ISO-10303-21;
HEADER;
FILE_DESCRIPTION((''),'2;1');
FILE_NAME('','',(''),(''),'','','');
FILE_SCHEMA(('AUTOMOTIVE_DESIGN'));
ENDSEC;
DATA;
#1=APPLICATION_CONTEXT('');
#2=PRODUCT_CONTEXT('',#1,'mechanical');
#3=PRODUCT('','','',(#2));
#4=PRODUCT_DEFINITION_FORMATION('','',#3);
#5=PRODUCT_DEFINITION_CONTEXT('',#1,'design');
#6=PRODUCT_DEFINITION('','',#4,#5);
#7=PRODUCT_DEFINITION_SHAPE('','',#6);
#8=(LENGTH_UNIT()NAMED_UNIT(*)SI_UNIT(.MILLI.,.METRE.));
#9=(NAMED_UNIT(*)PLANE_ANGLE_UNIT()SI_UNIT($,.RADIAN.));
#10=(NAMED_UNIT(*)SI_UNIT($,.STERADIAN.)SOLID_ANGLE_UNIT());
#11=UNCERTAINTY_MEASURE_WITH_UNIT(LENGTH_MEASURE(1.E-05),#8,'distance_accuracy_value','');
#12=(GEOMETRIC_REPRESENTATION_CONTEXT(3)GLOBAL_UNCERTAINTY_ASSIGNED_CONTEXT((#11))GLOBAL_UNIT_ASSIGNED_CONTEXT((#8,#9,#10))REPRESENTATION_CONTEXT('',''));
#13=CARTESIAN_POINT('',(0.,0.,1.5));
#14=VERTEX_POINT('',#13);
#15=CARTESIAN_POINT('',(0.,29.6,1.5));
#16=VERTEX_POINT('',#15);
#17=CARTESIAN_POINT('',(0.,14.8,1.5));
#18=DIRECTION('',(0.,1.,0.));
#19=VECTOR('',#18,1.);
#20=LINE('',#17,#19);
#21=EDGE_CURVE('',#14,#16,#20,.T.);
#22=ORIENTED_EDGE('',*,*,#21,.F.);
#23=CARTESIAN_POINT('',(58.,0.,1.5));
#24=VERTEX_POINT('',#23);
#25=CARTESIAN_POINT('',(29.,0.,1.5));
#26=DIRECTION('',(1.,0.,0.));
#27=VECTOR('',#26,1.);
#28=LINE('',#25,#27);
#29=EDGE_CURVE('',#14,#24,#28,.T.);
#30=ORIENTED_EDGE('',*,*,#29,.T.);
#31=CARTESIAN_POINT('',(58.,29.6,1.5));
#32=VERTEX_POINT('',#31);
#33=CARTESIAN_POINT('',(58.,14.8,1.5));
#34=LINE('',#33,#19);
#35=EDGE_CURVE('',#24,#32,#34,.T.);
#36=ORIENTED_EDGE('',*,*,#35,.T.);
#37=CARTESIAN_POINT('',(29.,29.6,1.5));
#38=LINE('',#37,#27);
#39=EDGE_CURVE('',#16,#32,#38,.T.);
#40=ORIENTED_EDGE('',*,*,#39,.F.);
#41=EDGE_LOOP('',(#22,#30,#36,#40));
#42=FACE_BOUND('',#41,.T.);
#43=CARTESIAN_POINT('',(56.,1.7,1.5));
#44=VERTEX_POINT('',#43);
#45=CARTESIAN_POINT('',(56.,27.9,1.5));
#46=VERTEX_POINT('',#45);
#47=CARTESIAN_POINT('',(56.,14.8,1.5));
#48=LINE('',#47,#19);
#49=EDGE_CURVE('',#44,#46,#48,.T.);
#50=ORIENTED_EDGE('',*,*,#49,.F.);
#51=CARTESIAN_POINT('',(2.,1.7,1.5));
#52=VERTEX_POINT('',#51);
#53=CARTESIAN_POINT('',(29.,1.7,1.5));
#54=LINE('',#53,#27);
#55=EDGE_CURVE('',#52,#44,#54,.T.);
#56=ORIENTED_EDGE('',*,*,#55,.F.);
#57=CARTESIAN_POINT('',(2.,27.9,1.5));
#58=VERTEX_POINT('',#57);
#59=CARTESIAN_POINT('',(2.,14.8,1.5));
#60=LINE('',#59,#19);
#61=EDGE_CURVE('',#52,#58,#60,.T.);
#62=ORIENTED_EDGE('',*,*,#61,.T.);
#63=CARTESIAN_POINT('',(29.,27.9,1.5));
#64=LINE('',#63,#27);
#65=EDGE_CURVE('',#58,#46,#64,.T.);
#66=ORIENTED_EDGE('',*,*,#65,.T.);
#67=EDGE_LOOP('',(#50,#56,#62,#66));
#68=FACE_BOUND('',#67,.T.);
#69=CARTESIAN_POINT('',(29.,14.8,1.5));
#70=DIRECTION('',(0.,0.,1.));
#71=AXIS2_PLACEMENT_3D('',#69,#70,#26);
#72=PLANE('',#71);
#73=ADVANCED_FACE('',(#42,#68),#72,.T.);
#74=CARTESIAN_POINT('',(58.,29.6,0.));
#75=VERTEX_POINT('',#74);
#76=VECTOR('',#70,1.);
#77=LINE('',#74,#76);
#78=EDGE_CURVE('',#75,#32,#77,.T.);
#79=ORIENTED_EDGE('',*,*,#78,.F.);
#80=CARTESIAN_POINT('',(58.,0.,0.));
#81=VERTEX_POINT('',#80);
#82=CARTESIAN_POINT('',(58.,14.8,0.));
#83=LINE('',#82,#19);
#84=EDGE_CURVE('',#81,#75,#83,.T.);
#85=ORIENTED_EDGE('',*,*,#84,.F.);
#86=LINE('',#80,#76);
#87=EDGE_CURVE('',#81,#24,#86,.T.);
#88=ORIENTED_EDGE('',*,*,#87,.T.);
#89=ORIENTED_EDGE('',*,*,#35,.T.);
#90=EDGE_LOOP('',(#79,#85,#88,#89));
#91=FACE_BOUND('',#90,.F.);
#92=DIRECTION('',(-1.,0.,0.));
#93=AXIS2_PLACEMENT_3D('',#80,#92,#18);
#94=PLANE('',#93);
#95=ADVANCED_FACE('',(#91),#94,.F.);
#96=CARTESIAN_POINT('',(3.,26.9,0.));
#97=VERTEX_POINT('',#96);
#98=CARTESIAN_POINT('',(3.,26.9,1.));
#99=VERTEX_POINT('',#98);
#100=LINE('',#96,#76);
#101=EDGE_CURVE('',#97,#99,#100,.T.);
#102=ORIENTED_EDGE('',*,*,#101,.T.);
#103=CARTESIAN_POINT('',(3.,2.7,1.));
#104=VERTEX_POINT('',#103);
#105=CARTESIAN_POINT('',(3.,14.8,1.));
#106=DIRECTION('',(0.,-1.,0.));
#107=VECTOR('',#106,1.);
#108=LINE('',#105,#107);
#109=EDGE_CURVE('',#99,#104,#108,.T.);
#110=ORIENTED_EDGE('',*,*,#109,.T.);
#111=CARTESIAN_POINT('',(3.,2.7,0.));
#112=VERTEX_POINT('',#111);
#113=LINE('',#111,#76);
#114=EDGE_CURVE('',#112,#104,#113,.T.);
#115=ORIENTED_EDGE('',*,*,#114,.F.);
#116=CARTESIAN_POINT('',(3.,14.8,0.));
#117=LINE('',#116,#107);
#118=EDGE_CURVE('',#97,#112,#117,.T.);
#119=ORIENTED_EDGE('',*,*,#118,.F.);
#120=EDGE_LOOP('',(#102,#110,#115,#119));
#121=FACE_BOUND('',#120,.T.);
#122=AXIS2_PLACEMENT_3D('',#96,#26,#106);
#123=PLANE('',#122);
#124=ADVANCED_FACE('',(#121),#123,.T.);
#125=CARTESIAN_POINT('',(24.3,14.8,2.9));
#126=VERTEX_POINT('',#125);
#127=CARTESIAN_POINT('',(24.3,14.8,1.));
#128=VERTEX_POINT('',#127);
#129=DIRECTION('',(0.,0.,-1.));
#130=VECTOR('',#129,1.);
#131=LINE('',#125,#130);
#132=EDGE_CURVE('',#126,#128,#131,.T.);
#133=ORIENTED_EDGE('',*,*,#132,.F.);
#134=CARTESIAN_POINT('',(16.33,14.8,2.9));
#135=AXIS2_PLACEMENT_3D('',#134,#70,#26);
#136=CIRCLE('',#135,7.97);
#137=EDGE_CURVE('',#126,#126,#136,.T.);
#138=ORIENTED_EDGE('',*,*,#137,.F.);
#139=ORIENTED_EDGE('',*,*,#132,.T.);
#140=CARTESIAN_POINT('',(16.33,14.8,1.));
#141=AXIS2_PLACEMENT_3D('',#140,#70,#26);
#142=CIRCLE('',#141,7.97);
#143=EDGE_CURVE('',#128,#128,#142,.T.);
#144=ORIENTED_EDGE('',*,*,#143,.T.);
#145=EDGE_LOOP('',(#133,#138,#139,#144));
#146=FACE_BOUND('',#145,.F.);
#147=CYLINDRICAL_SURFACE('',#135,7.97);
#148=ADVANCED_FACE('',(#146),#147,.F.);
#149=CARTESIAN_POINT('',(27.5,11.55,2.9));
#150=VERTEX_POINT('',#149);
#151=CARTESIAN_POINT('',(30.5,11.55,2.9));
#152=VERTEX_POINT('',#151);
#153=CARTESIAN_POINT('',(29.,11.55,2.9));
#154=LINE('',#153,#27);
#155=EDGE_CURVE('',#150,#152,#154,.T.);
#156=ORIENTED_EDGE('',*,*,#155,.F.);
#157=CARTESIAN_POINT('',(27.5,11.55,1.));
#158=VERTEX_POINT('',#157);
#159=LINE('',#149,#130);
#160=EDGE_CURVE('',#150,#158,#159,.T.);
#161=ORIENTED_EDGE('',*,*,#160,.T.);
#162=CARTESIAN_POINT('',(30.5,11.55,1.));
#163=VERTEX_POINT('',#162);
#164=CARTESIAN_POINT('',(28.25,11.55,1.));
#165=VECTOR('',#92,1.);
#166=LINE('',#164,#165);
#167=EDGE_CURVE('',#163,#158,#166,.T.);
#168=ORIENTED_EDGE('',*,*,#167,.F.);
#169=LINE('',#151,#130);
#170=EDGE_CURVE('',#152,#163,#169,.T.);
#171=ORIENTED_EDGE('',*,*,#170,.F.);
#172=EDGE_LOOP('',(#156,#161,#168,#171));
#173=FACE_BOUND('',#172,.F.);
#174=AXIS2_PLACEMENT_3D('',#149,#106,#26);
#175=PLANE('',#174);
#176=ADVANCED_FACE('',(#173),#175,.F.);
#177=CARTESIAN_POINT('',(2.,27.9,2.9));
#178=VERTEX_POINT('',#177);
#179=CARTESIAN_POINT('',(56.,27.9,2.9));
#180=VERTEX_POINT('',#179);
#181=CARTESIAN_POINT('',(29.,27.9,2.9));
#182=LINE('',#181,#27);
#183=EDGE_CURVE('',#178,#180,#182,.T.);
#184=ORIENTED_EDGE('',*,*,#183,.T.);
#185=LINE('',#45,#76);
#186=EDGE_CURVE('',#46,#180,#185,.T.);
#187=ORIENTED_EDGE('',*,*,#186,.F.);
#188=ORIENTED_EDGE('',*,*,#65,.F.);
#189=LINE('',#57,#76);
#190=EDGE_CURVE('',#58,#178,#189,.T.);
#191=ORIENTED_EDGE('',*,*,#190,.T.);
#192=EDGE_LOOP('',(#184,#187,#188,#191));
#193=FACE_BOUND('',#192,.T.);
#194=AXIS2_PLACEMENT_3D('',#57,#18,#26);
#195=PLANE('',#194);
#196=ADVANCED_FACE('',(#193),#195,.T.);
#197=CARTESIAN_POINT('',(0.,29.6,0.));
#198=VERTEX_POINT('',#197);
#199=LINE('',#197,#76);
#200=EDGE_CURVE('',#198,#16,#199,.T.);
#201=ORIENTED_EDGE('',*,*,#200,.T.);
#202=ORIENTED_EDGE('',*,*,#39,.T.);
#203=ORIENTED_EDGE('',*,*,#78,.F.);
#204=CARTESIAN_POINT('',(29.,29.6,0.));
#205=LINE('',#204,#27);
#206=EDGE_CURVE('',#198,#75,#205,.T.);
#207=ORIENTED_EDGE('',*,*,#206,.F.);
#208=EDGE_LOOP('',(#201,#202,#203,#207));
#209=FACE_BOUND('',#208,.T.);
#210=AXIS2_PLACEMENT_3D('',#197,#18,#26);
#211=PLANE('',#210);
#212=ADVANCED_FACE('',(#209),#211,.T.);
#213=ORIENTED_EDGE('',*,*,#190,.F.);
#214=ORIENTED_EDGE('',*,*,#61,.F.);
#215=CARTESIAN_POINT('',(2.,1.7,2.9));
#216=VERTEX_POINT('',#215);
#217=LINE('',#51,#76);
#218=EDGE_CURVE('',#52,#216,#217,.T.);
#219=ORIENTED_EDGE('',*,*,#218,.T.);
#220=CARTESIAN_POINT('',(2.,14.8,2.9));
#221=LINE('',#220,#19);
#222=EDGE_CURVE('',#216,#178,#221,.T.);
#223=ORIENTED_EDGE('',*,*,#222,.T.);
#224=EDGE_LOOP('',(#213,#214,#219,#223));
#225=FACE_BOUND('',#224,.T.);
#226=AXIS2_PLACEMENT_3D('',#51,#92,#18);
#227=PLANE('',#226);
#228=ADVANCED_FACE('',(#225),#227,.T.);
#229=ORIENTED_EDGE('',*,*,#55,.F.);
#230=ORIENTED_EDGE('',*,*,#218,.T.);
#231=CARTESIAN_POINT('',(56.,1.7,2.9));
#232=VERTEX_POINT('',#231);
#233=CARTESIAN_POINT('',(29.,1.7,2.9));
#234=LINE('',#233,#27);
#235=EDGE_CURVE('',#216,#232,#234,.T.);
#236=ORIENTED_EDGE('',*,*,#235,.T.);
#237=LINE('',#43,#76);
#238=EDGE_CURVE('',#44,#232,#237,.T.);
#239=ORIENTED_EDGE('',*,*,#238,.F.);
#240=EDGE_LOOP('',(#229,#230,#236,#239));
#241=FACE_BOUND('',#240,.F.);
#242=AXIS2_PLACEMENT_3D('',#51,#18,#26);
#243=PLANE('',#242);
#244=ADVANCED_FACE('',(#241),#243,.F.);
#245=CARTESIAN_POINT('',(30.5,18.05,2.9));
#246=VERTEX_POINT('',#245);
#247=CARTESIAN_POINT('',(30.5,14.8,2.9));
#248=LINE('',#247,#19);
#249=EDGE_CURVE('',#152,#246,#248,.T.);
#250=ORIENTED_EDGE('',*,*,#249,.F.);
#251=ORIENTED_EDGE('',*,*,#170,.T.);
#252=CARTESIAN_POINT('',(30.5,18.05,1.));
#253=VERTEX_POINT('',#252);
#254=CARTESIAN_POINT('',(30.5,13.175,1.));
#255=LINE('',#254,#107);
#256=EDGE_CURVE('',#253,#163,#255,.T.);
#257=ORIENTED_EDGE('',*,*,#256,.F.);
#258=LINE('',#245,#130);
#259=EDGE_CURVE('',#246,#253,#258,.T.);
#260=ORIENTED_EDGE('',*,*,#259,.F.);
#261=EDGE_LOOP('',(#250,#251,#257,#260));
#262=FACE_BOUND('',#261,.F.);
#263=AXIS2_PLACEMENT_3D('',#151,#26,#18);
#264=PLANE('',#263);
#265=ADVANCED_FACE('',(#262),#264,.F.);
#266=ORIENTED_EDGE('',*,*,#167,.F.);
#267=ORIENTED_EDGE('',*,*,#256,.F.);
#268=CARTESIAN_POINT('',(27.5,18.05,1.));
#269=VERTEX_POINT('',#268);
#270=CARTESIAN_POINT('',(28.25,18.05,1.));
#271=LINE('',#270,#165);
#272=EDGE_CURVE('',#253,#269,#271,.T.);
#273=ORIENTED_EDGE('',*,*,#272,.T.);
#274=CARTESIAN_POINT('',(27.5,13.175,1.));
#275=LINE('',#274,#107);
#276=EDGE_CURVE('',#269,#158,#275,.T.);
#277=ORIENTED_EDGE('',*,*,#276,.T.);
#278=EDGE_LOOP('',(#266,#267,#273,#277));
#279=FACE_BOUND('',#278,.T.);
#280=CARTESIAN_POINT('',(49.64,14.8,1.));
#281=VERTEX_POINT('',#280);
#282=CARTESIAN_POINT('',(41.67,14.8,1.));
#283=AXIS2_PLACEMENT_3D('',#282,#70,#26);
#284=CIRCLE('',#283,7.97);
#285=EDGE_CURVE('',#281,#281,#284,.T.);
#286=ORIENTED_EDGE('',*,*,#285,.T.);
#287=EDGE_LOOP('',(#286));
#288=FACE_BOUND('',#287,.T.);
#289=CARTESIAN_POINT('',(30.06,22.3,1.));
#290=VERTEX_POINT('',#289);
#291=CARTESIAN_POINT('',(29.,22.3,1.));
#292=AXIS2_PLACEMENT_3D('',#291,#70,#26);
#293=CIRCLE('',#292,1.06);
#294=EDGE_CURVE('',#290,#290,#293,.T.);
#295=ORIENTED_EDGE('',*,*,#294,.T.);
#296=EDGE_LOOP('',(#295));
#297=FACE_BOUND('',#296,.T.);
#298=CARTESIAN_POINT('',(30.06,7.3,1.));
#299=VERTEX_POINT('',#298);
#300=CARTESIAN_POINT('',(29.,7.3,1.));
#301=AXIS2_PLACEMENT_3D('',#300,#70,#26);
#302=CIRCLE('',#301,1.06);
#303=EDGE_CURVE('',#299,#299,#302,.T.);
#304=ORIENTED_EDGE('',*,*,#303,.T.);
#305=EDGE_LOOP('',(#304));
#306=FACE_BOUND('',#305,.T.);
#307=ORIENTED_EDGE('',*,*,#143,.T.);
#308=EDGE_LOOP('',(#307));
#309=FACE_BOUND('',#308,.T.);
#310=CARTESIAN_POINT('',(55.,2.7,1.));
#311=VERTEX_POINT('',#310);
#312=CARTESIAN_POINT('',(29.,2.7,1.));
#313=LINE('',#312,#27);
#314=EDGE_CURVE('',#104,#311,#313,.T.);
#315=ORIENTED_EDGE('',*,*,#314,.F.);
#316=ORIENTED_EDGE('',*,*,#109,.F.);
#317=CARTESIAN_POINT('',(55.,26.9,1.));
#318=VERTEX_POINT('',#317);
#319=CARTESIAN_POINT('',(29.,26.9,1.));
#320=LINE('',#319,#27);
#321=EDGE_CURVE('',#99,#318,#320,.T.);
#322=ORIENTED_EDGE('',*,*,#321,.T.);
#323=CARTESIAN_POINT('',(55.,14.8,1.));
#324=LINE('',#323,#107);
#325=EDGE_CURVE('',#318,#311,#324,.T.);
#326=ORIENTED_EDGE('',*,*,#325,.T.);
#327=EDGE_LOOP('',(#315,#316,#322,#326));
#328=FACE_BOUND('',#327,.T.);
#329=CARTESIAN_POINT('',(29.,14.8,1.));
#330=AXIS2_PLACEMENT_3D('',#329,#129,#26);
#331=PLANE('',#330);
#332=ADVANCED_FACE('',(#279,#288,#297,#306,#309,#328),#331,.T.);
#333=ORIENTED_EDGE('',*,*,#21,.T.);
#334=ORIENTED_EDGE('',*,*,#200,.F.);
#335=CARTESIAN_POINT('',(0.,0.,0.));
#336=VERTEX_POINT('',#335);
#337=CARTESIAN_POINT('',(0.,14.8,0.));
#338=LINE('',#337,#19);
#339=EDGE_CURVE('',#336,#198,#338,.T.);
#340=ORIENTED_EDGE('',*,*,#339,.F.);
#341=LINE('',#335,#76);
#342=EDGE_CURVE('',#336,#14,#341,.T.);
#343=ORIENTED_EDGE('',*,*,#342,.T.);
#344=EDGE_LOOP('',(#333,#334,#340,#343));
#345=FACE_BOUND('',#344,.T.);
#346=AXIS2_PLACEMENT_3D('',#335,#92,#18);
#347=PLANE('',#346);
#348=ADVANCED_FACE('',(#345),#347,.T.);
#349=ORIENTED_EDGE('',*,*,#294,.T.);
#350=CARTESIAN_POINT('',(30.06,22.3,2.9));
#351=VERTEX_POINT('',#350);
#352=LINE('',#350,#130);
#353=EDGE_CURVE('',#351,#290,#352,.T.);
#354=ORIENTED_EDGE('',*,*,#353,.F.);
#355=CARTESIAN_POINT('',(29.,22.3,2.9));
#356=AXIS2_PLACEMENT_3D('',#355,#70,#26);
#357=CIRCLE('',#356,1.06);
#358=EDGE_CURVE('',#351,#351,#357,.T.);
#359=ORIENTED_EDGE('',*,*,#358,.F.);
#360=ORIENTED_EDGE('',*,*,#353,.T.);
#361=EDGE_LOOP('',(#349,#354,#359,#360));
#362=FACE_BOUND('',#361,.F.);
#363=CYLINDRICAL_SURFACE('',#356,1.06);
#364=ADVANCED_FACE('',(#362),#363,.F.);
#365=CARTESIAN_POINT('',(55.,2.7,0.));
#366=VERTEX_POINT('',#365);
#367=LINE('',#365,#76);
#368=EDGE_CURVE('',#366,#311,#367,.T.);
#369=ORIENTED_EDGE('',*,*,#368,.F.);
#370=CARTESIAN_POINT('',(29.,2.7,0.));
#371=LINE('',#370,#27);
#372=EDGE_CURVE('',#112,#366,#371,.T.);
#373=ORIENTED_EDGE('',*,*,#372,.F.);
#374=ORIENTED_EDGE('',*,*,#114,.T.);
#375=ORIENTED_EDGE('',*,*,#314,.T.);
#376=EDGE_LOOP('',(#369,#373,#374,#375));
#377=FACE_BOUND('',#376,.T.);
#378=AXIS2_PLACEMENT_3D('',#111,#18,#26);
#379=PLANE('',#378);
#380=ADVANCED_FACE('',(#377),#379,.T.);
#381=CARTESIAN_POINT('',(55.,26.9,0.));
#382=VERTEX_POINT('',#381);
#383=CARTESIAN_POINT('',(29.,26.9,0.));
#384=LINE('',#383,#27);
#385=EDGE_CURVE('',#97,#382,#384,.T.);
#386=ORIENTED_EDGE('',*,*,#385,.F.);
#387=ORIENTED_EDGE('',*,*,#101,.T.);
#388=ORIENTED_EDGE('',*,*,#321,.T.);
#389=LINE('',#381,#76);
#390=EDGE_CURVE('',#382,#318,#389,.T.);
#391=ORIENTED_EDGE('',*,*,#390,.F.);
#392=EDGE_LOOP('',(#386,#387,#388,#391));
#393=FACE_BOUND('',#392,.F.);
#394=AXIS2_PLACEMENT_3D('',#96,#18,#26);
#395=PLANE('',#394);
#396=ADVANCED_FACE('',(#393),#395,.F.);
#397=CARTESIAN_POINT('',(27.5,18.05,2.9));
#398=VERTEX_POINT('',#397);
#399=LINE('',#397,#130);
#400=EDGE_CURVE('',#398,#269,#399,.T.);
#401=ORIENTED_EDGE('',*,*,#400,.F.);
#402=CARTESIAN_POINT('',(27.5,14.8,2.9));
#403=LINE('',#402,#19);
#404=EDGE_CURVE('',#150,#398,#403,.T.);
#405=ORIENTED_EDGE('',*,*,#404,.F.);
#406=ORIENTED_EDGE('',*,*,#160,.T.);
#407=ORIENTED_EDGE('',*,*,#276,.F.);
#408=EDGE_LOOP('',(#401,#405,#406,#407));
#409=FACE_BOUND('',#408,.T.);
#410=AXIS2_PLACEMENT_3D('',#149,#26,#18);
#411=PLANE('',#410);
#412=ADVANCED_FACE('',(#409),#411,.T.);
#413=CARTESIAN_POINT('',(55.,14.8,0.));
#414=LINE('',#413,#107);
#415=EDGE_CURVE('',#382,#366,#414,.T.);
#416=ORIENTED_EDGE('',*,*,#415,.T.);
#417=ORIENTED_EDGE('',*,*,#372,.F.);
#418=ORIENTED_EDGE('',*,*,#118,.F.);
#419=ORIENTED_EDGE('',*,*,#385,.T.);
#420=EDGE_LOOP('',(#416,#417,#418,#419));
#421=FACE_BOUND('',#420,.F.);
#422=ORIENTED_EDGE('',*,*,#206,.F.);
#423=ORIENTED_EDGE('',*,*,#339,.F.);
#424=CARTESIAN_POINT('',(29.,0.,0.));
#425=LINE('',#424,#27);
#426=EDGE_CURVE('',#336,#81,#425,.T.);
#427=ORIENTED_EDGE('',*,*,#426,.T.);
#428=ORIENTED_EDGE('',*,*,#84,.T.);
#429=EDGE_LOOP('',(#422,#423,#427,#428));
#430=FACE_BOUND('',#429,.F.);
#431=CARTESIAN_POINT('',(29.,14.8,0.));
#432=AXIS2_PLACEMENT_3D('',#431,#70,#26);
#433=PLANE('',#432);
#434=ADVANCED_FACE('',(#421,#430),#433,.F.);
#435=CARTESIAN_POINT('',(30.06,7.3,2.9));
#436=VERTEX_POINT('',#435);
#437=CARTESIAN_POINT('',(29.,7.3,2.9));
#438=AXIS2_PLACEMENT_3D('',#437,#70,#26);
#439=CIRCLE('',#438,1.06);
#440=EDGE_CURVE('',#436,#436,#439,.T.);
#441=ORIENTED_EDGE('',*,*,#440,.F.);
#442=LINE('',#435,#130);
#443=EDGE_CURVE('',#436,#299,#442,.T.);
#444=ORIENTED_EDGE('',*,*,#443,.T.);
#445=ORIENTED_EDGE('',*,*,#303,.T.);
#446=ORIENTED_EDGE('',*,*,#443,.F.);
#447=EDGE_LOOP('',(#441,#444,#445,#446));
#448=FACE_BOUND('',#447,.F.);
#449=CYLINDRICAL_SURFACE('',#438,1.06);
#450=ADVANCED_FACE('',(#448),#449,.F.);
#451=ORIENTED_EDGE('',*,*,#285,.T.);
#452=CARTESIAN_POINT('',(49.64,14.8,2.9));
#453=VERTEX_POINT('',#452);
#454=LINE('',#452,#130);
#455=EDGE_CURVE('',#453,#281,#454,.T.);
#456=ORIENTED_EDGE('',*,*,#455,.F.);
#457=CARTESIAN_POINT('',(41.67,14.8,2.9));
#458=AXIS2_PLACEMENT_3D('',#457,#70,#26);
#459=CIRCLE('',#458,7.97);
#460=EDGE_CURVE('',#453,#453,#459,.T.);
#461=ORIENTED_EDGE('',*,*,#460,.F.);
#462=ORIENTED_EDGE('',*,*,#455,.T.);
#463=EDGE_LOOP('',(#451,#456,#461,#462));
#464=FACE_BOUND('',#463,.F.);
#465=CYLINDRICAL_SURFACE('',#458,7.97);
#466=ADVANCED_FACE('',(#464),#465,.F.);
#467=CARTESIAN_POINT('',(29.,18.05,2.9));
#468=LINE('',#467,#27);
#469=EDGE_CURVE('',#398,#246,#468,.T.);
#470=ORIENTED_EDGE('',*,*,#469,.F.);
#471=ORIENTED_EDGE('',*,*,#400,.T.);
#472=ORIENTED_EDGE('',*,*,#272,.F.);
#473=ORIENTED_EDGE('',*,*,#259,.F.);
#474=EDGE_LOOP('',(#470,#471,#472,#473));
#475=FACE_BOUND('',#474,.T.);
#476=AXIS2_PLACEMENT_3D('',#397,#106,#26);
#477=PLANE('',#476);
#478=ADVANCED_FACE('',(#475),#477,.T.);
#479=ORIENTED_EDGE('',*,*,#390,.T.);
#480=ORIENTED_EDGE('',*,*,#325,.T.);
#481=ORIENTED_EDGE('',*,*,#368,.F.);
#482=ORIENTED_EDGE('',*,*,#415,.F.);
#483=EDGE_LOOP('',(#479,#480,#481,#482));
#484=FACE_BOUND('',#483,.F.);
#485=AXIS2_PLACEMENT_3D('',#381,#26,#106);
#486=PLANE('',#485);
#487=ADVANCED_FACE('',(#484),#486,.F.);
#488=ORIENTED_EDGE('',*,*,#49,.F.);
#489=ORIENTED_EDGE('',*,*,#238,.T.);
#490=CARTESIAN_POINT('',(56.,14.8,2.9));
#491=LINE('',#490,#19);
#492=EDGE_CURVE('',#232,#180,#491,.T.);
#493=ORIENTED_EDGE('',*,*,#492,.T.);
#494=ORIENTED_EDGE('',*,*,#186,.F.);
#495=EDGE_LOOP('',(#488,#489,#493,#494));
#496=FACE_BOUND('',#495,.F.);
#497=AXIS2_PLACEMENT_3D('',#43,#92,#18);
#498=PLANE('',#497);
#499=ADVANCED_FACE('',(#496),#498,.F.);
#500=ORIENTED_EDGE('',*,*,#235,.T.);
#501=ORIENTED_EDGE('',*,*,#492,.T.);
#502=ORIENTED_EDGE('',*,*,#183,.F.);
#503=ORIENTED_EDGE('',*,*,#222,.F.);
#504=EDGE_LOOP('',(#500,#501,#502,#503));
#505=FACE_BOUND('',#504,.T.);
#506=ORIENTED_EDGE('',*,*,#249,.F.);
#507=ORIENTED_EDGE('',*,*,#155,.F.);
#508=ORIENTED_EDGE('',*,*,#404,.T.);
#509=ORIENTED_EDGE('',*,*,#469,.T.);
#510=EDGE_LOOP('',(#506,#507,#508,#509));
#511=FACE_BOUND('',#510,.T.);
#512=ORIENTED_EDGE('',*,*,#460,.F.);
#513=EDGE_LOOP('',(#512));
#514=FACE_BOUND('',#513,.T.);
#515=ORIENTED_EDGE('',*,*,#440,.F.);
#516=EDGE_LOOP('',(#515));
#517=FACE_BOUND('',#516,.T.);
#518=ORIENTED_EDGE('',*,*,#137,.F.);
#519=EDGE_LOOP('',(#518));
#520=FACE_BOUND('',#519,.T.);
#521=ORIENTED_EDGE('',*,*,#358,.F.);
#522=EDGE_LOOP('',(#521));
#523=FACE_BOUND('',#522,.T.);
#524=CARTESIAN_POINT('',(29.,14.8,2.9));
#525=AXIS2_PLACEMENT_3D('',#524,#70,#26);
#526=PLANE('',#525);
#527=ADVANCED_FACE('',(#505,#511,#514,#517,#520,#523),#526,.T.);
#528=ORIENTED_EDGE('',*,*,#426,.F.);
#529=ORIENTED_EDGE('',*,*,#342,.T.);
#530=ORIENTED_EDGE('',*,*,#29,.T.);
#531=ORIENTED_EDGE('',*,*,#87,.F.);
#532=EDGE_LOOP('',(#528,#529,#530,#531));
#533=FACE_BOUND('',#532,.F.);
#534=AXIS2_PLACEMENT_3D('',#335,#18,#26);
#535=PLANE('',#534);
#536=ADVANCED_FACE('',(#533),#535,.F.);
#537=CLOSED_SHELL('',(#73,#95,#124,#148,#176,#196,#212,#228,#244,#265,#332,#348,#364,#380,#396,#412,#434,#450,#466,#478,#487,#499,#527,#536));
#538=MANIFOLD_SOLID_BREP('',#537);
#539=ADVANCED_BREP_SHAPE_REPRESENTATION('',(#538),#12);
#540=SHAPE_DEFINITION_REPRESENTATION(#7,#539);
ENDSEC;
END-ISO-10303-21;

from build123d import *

# Parameters (mm, degrees)
SKETCH_W        = 58
SKETCH_H        = 29.6
PAD_DEPTH       = 1.5
SKETCH001_W     = 54
SKETCH001_H     = 26.2
PAD001_DEPTH    = 1.4
SKETCH002_W     = 52
SKETCH002_H     = 24.2
POCKET_DEPTH    = 1
SKETCH003_R     = 7.97
SKETCH003_R_2   = 1.06
SKETCH003_W     = 3
SKETCH003_H     = 6.5
POCKET001_DEPTH = 5


with BuildPart() as part:
    # Sketch → Pad (new body)
    with BuildSketch(Plane.XY):
        with Locations((29, 14.8)):
            Rectangle(SKETCH_W, SKETCH_H)
    extrude(amount=PAD_DEPTH)

    # Sketch001 (on Face6 of Pad) → Pad001 (join)
    with BuildSketch(Plane.XY.offset(1.5)):
        with Locations((29, 14.8)):
            Rectangle(SKETCH001_W, SKETCH001_H)
    extrude(amount=PAD001_DEPTH)

    # Sketch002 (on Face4 of Pad001) → Pocket (cut)
    with BuildSketch(Plane(origin=(0, 0, 0), x_dir=(1, 0, 0), z_dir=(0, 0, -1))):
        with Locations((29, -14.8)):
            Rectangle(SKETCH002_W, SKETCH002_H)
    extrude(amount=-POCKET_DEPTH, mode=Mode.SUBTRACT)

    # Sketch003 (on Face16 of Pocket) → Pocket001 (cut)
    with BuildSketch(Plane.XY.offset(2.9)):
        with Locations((16.33, 14.8)):
            Circle(SKETCH003_R)
        with Locations((41.67, 14.8)):
            Circle(SKETCH003_R)
        with Locations((29, 22.3)):
            Circle(SKETCH003_R_2)
        with Locations((29, 7.3)):
            Circle(SKETCH003_R_2)
        with Locations((29, 14.8)):
            Rectangle(SKETCH003_W, SKETCH003_H)
    extrude(amount=-POCKET001_DEPTH, mode=Mode.SUBTRACT)


solid = part.part
